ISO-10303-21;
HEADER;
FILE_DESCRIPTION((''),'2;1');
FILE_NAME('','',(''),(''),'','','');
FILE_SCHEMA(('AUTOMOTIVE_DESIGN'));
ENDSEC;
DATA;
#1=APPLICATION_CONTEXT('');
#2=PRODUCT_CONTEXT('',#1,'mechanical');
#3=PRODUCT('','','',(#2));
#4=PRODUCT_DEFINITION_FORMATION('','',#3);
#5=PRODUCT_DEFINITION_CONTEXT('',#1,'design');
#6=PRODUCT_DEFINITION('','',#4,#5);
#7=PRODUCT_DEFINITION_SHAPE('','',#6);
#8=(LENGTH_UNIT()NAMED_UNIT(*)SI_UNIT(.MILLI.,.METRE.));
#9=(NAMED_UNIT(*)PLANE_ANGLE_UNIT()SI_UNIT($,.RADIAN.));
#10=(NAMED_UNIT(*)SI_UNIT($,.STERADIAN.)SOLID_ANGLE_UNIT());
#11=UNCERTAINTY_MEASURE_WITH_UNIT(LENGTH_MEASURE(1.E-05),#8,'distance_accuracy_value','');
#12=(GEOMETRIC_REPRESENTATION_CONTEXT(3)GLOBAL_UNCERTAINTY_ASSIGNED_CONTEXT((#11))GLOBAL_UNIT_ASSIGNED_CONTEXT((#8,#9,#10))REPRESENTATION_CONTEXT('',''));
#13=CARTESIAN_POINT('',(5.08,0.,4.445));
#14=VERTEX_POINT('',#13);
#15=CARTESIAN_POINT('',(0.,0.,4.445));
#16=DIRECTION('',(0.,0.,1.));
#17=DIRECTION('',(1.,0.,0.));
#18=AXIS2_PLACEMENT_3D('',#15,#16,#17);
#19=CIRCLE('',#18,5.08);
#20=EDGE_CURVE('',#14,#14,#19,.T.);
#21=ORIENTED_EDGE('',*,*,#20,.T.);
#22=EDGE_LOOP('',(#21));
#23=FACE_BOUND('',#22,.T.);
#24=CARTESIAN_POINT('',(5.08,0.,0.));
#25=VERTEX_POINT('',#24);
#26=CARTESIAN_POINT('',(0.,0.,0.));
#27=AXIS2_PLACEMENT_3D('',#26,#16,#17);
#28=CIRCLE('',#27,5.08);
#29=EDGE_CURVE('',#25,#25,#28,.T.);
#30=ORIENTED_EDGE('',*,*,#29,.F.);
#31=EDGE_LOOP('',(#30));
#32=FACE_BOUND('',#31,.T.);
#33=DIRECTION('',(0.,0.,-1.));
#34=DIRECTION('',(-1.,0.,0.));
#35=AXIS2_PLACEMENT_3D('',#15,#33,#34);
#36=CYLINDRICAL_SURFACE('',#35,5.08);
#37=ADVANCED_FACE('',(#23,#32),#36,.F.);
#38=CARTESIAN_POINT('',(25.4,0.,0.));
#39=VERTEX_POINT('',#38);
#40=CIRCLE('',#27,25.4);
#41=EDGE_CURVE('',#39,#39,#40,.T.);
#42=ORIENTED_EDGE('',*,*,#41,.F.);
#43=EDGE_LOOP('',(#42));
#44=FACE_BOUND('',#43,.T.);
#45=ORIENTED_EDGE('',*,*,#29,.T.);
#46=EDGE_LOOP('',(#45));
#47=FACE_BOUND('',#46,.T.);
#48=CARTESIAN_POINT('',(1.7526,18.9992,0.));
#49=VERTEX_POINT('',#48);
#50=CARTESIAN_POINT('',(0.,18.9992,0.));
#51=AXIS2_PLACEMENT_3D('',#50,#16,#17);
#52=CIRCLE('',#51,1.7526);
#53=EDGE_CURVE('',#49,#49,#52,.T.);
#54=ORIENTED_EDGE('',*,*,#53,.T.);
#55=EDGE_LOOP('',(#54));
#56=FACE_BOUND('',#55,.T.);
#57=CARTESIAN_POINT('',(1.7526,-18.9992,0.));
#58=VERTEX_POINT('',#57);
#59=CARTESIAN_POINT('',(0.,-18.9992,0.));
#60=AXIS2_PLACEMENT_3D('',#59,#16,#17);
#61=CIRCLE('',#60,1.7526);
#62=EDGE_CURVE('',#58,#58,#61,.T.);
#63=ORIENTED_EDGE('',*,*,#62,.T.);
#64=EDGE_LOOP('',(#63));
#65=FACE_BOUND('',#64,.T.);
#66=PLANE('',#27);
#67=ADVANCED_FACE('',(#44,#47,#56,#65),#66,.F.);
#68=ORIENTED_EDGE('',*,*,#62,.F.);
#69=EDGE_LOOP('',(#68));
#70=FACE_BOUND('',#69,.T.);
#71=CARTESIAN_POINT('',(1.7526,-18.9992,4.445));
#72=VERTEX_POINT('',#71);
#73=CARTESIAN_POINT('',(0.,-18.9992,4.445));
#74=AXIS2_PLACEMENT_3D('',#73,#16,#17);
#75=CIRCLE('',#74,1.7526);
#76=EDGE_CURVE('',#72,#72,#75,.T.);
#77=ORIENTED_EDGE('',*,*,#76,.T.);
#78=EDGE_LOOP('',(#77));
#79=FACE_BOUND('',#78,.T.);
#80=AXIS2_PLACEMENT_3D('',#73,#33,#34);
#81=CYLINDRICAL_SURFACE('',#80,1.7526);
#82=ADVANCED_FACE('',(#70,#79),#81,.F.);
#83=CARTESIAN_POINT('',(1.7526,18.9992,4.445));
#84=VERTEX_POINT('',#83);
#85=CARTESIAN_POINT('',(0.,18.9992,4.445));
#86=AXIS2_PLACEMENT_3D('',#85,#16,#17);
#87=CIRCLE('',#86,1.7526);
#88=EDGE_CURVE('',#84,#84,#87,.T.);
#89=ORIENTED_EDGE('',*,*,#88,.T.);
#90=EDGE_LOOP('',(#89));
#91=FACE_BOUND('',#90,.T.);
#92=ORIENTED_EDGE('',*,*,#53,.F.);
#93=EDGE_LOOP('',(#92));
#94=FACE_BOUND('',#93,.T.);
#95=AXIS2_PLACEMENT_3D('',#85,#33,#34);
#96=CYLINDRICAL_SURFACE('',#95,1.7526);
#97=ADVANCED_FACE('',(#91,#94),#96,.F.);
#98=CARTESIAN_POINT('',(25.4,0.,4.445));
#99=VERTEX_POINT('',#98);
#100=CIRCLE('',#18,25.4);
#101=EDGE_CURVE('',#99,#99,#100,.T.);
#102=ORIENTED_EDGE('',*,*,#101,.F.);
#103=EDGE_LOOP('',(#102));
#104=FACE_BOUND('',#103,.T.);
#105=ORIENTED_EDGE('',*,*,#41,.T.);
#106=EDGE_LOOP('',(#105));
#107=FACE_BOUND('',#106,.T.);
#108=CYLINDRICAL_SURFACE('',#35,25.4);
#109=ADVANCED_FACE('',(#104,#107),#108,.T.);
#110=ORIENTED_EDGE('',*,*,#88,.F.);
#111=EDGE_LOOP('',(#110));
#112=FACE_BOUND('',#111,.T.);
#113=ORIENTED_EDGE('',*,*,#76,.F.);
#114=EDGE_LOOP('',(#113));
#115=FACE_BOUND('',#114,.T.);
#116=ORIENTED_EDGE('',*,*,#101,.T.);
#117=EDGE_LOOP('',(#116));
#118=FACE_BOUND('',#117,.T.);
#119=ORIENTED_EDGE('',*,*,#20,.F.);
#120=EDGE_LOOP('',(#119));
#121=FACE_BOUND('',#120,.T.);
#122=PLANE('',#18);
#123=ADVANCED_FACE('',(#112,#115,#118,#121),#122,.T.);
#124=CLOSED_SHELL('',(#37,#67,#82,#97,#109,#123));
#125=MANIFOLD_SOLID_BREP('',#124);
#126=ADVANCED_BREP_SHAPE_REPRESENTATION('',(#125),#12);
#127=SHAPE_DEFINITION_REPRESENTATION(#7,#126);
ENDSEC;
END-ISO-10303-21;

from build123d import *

# Parameters (mm, degrees)
SKETCH1_R           = 25.4
SKETCH1_R_2         = 5.08
SKETCH1_R_3         = 1.7526
BOSS_EXTRUDE1_DEPTH = 4.445


with BuildPart() as part:
    # Sketch1 → Boss-Extrude1 (new body)
    with BuildSketch(Plane.XY):
        Circle(SKETCH1_R)
        Circle(SKETCH1_R_2, mode=Mode.SUBTRACT)
        with Locations((0, 18.9992)):
            Circle(SKETCH1_R_3, mode=Mode.SUBTRACT)
        with Locations((0, -18.9992)):
            Circle(SKETCH1_R_3, mode=Mode.SUBTRACT)
    extrude(amount=BOSS_EXTRUDE1_DEPTH)


solid = part.part
